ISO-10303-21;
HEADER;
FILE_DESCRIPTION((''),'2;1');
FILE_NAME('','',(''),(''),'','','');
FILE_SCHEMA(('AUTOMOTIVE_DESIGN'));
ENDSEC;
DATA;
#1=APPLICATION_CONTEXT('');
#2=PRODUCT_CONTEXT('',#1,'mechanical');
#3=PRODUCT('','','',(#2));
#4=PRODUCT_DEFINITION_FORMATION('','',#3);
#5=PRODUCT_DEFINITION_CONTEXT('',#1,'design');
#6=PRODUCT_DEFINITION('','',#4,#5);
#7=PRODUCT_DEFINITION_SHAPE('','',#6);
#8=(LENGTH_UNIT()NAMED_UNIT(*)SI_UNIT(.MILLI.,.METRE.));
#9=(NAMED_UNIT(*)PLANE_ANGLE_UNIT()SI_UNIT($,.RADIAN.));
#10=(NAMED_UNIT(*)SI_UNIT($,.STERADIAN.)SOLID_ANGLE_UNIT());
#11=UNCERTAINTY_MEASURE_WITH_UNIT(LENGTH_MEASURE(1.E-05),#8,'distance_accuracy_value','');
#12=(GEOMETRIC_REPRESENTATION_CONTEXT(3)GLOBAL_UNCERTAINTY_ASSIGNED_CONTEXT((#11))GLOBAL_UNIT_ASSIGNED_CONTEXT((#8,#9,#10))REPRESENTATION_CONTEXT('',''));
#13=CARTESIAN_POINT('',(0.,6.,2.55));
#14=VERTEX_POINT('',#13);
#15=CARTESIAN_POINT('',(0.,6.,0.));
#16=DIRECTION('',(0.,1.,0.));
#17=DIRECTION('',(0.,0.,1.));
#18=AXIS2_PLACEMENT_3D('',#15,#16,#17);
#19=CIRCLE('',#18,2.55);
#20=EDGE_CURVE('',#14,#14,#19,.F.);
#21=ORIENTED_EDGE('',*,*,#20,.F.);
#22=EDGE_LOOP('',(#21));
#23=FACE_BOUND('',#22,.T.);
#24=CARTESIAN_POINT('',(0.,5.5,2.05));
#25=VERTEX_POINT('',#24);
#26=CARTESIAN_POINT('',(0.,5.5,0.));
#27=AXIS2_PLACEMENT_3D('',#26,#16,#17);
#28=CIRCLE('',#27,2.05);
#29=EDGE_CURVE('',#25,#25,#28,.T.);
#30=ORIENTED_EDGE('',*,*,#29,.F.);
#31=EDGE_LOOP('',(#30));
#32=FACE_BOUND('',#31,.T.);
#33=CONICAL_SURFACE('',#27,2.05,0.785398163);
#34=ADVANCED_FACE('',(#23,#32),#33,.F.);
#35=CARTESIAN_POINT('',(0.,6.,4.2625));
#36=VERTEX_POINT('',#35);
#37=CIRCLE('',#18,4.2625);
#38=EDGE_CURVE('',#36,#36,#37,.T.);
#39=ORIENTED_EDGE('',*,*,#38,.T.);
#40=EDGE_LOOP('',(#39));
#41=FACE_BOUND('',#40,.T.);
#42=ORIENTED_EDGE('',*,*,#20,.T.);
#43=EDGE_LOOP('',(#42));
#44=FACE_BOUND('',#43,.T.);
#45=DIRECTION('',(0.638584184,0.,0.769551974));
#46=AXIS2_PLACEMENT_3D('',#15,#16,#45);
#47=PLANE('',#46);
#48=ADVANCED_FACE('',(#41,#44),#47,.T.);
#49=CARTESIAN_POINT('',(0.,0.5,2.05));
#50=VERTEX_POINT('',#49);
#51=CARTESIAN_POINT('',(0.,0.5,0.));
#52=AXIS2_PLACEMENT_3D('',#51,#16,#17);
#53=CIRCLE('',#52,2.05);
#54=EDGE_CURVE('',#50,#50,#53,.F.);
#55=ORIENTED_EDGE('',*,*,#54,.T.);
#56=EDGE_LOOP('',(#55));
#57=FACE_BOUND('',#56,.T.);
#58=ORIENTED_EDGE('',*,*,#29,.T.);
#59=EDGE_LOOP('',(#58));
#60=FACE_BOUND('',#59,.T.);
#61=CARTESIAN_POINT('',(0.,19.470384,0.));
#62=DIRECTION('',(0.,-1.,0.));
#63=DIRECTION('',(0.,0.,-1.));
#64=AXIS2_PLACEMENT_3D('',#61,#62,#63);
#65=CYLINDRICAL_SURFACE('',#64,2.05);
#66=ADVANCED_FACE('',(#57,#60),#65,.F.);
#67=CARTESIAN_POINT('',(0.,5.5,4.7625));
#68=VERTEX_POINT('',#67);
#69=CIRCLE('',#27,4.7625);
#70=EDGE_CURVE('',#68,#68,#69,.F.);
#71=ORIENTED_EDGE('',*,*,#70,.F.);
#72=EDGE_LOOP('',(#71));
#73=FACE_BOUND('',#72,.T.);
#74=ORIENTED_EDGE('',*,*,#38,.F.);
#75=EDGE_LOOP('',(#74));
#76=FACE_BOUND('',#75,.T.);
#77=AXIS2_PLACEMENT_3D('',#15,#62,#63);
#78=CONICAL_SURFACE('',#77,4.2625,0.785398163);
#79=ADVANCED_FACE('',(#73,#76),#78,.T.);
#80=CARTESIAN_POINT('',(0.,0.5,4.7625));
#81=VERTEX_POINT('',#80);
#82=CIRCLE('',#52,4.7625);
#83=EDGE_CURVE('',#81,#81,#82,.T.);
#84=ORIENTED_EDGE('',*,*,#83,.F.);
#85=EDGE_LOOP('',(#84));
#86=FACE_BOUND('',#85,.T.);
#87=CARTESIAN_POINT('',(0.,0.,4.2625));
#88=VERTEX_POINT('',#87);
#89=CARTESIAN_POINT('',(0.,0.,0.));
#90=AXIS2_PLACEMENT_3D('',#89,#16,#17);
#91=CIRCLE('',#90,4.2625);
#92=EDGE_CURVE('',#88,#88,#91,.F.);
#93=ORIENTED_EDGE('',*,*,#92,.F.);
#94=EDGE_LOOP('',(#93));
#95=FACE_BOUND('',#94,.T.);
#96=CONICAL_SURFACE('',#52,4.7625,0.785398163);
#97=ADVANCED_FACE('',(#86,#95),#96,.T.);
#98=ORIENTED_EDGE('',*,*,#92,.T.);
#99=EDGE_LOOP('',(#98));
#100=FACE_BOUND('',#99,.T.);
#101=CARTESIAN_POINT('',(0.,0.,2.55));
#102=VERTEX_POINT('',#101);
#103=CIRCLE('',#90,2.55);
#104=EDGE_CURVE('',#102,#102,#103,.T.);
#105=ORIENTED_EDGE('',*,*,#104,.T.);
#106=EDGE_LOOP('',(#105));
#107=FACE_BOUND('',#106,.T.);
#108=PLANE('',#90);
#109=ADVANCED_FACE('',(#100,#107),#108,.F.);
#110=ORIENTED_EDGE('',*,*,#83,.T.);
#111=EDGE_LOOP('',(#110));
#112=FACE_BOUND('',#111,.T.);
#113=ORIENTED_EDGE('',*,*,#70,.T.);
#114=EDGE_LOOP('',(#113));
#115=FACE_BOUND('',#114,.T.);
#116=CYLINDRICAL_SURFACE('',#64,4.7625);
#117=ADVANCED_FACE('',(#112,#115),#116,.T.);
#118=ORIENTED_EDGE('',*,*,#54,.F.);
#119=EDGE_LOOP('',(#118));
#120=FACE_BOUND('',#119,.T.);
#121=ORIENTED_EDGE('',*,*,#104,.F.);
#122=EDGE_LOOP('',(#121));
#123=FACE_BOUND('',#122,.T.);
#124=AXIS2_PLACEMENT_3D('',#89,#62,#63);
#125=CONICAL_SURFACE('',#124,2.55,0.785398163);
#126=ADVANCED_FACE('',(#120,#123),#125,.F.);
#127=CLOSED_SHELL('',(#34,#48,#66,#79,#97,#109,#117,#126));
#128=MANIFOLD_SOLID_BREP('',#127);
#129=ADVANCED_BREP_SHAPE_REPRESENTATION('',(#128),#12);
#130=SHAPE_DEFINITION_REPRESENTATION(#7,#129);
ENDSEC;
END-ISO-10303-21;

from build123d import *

# Parameters (mm, degrees)
SKETCH1_R           = 4.7625
SKETCH1_R_2         = 2.05
BOSS_EXTRUDE1_DEPTH = 6
CHAMFER1_SIZE       = 0.5


with BuildPart() as part:
    # Sketch1 → Boss-Extrude1 (new body)
    with BuildSketch(Plane(origin=(0, 0, 0), x_dir=(1, 0, 0), z_dir=(0, 1, 0))):
        with Locations(Location((0, 0, 0), (0, 0, 270))):
            Circle(SKETCH1_R)
        with Locations(Location((0, 0, 0), (0, 0, 270))):
            Circle(SKETCH1_R_2, mode=Mode.SUBTRACT)
    extrude(amount=BOSS_EXTRUDE1_DEPTH)

    # Chamfer1
    chamfer1_edges = [part.edges().sort_by_distance(p)[0] for p in [
        (0, 0, -4.7625),
        (0, 0, -2.05),
        (0, 6, -2.05),
        (0, 6, -4.7625),
    ]]
    chamfer(chamfer1_edges, length=CHAMFER1_SIZE)


solid = part.part
